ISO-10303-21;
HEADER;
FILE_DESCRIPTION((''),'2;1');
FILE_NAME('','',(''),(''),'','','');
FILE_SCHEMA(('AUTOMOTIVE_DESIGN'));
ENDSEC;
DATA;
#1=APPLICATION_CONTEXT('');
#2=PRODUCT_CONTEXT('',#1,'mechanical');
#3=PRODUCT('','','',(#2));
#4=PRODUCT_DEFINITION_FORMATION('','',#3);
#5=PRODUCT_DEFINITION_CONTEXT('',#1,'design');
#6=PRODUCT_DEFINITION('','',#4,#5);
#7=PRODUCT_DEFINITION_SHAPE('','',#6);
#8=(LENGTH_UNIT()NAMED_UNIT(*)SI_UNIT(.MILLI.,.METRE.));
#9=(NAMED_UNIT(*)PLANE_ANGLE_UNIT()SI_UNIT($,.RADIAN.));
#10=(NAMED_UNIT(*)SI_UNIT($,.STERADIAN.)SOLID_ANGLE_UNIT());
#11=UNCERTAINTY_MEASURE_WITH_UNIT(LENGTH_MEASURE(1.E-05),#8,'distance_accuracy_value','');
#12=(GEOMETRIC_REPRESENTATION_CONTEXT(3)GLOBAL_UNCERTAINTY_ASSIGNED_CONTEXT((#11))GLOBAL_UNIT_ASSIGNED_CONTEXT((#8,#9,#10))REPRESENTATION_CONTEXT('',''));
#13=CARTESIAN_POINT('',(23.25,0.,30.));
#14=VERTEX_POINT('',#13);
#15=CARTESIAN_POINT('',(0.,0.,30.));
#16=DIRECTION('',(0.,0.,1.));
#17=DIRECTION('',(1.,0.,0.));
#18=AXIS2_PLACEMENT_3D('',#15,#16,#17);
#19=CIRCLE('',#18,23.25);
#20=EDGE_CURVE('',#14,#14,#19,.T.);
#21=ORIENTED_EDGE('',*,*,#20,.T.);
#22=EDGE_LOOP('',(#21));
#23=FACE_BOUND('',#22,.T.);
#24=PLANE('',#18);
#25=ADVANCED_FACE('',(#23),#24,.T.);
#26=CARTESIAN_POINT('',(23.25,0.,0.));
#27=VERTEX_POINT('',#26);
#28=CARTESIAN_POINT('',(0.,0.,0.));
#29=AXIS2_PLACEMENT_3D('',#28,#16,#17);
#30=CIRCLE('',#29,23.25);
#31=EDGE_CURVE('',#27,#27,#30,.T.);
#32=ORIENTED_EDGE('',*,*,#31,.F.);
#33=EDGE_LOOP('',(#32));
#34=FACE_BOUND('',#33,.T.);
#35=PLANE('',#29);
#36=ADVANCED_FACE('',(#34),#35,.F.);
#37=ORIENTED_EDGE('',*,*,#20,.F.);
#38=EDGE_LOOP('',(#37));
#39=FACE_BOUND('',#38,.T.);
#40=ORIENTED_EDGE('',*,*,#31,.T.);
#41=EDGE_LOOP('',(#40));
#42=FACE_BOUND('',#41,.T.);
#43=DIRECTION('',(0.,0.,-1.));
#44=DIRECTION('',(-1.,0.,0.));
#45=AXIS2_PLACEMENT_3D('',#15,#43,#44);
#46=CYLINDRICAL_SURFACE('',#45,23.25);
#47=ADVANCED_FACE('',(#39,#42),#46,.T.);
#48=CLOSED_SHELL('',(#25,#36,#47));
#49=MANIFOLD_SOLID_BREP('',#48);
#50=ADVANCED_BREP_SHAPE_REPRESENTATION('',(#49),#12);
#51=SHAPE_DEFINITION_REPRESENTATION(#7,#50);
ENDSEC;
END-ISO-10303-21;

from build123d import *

# Parameters (mm, degrees)
ESQUISSE1_R        = 23.25
BOSS_EXTRU_1_DEPTH = 30


with BuildPart() as part:
    # Esquisse1 → Boss.-Extru.1 (new body)
    with BuildSketch(Plane.XY):
        Circle(ESQUISSE1_R)
    extrude(amount=BOSS_EXTRU_1_DEPTH)


solid = part.part
